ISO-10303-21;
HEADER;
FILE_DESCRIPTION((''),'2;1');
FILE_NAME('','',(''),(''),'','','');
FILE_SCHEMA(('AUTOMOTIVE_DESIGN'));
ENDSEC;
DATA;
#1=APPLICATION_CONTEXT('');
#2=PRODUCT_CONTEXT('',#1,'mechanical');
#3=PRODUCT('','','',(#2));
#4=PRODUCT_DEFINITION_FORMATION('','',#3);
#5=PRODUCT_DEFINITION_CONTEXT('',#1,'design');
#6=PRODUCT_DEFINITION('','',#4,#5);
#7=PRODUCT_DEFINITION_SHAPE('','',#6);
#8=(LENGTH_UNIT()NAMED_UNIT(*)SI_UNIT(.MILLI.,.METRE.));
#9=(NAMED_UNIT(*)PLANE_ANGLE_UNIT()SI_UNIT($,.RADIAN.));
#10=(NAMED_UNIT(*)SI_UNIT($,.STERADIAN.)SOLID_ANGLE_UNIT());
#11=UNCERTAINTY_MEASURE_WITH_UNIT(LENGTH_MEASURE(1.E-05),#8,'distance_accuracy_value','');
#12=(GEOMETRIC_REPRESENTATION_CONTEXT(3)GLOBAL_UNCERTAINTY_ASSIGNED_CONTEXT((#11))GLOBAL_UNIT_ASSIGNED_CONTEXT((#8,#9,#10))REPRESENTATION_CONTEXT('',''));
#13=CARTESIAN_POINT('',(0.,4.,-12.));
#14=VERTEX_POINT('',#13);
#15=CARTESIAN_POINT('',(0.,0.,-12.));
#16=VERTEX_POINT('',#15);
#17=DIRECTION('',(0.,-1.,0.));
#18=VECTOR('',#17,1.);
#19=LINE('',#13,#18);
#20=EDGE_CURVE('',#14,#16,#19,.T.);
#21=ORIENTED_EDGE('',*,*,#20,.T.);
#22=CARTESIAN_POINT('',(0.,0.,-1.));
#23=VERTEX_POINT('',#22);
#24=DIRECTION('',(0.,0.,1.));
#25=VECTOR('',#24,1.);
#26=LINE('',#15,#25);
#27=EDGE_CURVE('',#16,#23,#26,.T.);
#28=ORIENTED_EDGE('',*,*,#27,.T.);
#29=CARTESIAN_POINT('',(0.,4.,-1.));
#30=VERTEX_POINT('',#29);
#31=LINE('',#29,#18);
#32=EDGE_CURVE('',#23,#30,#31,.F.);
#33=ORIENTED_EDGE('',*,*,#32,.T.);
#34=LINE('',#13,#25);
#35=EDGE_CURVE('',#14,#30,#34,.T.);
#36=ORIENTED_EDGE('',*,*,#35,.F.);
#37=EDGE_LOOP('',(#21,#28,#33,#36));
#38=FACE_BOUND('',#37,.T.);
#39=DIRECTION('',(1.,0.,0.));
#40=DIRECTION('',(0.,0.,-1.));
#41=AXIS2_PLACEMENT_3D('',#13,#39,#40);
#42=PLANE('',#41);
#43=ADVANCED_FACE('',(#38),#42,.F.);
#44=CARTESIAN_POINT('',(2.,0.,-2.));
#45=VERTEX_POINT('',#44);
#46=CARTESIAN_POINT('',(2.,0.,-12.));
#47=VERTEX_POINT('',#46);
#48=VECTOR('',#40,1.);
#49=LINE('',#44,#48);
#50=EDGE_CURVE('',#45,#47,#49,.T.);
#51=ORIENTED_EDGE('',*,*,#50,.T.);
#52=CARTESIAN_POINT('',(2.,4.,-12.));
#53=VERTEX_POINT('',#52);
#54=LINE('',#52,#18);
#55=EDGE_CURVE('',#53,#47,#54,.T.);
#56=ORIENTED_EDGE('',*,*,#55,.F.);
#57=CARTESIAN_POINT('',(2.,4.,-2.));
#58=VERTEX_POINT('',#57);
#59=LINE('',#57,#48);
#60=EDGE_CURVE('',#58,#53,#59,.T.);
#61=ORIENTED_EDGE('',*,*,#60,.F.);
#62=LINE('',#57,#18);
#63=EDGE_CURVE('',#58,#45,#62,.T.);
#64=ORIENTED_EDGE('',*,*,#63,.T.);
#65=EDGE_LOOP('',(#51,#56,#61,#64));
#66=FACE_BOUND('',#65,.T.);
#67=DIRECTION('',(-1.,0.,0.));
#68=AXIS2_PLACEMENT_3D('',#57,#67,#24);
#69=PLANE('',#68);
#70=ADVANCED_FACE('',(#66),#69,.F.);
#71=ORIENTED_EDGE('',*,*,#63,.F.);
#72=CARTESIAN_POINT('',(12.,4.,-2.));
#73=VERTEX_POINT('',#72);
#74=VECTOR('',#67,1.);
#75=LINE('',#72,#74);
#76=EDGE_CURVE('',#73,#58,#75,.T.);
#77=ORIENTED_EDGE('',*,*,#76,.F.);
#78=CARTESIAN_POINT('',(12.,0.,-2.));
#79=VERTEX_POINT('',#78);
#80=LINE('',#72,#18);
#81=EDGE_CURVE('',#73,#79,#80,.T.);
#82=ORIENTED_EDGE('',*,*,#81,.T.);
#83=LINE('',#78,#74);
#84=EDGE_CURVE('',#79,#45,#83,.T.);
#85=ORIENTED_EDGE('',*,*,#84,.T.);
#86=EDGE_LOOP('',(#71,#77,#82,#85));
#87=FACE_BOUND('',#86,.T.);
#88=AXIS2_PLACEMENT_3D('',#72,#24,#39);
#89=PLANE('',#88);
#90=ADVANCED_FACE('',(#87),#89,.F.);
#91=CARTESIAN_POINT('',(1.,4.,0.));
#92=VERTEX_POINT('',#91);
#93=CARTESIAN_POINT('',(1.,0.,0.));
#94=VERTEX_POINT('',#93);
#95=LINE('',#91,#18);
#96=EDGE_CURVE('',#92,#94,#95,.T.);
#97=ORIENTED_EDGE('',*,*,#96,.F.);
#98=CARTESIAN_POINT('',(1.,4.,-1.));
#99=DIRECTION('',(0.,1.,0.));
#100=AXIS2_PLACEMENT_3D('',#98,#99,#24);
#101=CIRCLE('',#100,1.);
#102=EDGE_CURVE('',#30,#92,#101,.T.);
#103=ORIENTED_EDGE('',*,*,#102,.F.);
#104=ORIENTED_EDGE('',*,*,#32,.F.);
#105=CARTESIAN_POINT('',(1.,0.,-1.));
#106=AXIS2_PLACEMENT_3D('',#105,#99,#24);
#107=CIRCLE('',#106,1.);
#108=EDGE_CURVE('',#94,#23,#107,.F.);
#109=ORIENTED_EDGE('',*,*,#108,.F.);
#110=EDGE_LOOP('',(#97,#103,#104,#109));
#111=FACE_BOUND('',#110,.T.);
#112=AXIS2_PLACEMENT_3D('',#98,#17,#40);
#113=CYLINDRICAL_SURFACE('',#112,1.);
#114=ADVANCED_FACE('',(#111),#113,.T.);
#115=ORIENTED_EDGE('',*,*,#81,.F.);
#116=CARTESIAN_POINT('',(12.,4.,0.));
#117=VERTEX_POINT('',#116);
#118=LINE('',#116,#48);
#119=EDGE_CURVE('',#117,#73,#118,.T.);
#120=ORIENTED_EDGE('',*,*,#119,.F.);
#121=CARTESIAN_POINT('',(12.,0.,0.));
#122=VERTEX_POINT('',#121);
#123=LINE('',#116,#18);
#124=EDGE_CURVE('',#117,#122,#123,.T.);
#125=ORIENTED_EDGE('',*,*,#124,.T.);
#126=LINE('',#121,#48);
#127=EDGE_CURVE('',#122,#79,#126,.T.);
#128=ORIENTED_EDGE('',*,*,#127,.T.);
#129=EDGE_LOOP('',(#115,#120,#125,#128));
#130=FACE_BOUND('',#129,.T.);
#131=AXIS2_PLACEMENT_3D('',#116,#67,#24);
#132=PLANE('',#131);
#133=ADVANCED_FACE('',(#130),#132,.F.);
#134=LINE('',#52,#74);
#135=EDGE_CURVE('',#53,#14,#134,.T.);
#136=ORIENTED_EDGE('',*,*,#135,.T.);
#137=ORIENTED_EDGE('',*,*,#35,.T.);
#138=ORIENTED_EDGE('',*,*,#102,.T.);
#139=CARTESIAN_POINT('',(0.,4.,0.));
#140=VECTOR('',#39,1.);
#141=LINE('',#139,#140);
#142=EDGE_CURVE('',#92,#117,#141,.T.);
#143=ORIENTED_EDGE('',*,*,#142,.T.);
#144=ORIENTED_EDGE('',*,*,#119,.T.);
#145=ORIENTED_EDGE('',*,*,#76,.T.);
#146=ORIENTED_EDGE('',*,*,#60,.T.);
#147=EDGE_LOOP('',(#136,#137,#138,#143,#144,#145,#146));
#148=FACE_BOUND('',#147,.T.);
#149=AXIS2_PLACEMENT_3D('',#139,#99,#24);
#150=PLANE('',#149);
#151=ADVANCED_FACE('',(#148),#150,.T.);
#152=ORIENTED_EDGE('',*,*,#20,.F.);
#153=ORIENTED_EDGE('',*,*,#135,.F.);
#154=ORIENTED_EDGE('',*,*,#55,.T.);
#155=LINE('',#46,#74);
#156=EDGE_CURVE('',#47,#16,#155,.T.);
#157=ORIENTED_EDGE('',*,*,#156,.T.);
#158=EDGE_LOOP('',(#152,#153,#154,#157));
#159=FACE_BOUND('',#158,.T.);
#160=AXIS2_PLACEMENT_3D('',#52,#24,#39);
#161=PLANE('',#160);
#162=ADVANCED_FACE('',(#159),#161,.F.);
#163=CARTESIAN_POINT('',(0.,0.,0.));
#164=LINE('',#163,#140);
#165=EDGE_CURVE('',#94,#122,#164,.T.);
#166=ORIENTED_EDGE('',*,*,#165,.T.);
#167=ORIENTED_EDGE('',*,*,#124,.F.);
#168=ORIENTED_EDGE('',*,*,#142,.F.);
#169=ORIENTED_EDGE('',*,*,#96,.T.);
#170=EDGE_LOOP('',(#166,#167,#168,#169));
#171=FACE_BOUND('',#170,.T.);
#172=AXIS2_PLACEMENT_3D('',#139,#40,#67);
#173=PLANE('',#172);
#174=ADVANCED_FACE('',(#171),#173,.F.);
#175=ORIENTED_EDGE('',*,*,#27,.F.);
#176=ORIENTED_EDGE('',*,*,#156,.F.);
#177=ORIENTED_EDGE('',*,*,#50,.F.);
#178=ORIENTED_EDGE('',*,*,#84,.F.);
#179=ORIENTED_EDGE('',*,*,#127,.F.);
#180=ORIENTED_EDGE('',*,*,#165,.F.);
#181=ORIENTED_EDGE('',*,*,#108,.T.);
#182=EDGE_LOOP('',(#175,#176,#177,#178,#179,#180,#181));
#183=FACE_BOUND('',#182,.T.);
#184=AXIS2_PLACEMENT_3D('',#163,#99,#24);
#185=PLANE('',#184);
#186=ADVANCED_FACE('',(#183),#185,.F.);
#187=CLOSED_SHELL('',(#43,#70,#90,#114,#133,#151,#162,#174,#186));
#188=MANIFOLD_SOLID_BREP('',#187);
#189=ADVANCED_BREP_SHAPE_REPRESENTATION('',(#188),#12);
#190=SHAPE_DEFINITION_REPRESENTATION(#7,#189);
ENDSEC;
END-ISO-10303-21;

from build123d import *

# Parameters (mm, degrees)
BOSS_EXTRUDE1_DEPTH = 4
FILLET1_R           = 1


with BuildPart() as part:
    # Sketch1 → Boss-Extrude1 (new body)
    with BuildSketch(Plane(origin=(0, 0, 0), x_dir=(1, 0, 0), z_dir=(0, 1, 0))):
        Polygon((0, 0), (12, 0), (12, 2), (2, 2), (2, 12), (0, 12), align=None)
    extrude(amount=BOSS_EXTRUDE1_DEPTH)

    # Fillet1
    fillet1_edges = [part.edges().sort_by_distance(p)[0] for p in [
        (0, 2, 0),
    ]]
    fillet(fillet1_edges, radius=FILLET1_R)


solid = part.part
